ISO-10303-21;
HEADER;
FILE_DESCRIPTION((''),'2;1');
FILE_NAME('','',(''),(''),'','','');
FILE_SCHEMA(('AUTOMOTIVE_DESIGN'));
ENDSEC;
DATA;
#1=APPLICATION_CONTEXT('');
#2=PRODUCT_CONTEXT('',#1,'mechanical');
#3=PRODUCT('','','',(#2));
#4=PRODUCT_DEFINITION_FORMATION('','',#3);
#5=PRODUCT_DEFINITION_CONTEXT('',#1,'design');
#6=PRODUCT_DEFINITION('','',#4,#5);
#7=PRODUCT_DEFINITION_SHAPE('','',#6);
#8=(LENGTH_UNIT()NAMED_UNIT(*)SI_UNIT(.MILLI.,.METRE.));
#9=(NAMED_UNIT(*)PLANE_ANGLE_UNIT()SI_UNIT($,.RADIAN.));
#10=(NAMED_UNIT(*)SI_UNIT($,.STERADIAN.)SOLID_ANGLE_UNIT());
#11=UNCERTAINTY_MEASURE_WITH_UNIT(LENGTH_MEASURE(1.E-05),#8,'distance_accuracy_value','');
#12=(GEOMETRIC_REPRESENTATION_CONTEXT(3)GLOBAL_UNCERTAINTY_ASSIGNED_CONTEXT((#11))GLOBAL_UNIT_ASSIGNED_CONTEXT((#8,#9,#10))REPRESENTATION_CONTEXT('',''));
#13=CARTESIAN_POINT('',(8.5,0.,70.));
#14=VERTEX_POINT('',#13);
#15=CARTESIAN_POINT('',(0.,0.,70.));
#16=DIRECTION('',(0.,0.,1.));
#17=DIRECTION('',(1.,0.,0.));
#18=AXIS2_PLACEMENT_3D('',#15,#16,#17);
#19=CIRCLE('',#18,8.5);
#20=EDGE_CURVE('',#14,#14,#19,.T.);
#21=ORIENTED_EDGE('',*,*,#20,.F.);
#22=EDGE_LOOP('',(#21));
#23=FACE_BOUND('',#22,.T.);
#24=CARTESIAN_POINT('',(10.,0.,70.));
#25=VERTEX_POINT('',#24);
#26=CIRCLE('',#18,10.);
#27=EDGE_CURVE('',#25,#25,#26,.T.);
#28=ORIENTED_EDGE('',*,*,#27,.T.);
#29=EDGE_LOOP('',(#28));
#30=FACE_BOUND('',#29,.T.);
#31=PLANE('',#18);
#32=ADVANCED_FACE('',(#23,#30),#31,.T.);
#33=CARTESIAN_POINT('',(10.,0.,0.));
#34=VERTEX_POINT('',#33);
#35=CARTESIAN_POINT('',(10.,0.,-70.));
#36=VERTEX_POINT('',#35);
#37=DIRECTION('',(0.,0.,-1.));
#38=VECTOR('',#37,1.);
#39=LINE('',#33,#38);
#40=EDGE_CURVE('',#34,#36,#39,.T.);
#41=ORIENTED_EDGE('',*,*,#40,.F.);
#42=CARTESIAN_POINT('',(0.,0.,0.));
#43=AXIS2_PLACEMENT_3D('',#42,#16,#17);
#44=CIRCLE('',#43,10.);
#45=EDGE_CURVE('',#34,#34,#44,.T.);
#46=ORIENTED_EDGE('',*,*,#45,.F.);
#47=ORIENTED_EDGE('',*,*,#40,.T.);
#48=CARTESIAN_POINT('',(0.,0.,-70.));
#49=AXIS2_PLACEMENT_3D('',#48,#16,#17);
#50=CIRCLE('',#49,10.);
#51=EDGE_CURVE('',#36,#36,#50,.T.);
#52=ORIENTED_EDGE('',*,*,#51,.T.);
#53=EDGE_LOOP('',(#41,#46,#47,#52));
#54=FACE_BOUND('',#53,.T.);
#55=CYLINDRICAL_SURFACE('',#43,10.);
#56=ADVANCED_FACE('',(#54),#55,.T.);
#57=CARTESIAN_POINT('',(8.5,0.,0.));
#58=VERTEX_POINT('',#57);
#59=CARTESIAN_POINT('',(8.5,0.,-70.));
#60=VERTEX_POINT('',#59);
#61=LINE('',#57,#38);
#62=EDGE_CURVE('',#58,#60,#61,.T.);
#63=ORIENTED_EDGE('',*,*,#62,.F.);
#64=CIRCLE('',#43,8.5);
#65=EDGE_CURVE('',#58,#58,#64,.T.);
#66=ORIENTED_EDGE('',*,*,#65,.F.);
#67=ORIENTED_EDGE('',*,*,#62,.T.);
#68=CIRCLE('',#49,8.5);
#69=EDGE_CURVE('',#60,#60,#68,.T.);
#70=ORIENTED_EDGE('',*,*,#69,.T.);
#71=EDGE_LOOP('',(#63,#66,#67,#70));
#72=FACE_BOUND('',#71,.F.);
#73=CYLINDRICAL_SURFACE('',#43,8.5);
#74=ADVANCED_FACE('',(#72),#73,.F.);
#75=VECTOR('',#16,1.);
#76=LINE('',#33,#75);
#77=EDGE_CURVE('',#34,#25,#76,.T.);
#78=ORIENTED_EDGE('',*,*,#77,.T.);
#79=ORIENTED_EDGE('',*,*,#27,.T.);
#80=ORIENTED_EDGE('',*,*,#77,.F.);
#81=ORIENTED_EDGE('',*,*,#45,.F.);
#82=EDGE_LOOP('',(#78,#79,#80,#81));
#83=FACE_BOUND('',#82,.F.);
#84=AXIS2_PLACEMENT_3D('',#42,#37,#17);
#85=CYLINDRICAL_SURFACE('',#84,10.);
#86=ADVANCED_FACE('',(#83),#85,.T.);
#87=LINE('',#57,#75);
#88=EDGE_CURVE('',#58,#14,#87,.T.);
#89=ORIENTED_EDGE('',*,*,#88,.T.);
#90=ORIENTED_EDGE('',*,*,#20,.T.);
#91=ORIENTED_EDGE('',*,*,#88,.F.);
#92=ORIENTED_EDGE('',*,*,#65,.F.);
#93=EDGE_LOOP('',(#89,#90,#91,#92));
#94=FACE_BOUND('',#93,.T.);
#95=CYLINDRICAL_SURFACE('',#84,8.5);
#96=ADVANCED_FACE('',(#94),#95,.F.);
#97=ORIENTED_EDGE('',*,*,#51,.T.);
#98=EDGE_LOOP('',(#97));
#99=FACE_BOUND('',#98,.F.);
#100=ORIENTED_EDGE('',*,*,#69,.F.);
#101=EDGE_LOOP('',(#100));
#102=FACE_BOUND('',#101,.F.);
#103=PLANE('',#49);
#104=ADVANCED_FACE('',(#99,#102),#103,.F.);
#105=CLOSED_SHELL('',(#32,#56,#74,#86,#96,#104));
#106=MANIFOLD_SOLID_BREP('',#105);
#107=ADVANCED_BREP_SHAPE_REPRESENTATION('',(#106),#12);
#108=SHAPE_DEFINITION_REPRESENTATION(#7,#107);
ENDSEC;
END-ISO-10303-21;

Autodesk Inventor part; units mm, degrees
ref_plane "YZ Plane" through (0, 0, 0) normal (1, 0, 0) x (0, 1, 0)
ref_plane "XZ Plane" through (0, 0, 0) normal (0, 1, 0) x (-1, 0, 0)
ref_plane "XY Plane" through (0, 0, 0) normal (0, 0, 1) x (1, 0, 0)
sketch "Sketch1" plane through (0, 0, 0) normal (0, 0, 1) x (1, 0, 0)
  circle A0 centre (0, 0) radius 10
  circle A1 centre (0, 0) radius 8.5
  dimension "d0" = 20
  dimension "d1" = 1.5
extrude "Extrusion1" add sketch "Sketch1" along normal mid plane 140
properties part number "2100_Tx_Coil_Former_MPSv2_v4" material "Glass"
